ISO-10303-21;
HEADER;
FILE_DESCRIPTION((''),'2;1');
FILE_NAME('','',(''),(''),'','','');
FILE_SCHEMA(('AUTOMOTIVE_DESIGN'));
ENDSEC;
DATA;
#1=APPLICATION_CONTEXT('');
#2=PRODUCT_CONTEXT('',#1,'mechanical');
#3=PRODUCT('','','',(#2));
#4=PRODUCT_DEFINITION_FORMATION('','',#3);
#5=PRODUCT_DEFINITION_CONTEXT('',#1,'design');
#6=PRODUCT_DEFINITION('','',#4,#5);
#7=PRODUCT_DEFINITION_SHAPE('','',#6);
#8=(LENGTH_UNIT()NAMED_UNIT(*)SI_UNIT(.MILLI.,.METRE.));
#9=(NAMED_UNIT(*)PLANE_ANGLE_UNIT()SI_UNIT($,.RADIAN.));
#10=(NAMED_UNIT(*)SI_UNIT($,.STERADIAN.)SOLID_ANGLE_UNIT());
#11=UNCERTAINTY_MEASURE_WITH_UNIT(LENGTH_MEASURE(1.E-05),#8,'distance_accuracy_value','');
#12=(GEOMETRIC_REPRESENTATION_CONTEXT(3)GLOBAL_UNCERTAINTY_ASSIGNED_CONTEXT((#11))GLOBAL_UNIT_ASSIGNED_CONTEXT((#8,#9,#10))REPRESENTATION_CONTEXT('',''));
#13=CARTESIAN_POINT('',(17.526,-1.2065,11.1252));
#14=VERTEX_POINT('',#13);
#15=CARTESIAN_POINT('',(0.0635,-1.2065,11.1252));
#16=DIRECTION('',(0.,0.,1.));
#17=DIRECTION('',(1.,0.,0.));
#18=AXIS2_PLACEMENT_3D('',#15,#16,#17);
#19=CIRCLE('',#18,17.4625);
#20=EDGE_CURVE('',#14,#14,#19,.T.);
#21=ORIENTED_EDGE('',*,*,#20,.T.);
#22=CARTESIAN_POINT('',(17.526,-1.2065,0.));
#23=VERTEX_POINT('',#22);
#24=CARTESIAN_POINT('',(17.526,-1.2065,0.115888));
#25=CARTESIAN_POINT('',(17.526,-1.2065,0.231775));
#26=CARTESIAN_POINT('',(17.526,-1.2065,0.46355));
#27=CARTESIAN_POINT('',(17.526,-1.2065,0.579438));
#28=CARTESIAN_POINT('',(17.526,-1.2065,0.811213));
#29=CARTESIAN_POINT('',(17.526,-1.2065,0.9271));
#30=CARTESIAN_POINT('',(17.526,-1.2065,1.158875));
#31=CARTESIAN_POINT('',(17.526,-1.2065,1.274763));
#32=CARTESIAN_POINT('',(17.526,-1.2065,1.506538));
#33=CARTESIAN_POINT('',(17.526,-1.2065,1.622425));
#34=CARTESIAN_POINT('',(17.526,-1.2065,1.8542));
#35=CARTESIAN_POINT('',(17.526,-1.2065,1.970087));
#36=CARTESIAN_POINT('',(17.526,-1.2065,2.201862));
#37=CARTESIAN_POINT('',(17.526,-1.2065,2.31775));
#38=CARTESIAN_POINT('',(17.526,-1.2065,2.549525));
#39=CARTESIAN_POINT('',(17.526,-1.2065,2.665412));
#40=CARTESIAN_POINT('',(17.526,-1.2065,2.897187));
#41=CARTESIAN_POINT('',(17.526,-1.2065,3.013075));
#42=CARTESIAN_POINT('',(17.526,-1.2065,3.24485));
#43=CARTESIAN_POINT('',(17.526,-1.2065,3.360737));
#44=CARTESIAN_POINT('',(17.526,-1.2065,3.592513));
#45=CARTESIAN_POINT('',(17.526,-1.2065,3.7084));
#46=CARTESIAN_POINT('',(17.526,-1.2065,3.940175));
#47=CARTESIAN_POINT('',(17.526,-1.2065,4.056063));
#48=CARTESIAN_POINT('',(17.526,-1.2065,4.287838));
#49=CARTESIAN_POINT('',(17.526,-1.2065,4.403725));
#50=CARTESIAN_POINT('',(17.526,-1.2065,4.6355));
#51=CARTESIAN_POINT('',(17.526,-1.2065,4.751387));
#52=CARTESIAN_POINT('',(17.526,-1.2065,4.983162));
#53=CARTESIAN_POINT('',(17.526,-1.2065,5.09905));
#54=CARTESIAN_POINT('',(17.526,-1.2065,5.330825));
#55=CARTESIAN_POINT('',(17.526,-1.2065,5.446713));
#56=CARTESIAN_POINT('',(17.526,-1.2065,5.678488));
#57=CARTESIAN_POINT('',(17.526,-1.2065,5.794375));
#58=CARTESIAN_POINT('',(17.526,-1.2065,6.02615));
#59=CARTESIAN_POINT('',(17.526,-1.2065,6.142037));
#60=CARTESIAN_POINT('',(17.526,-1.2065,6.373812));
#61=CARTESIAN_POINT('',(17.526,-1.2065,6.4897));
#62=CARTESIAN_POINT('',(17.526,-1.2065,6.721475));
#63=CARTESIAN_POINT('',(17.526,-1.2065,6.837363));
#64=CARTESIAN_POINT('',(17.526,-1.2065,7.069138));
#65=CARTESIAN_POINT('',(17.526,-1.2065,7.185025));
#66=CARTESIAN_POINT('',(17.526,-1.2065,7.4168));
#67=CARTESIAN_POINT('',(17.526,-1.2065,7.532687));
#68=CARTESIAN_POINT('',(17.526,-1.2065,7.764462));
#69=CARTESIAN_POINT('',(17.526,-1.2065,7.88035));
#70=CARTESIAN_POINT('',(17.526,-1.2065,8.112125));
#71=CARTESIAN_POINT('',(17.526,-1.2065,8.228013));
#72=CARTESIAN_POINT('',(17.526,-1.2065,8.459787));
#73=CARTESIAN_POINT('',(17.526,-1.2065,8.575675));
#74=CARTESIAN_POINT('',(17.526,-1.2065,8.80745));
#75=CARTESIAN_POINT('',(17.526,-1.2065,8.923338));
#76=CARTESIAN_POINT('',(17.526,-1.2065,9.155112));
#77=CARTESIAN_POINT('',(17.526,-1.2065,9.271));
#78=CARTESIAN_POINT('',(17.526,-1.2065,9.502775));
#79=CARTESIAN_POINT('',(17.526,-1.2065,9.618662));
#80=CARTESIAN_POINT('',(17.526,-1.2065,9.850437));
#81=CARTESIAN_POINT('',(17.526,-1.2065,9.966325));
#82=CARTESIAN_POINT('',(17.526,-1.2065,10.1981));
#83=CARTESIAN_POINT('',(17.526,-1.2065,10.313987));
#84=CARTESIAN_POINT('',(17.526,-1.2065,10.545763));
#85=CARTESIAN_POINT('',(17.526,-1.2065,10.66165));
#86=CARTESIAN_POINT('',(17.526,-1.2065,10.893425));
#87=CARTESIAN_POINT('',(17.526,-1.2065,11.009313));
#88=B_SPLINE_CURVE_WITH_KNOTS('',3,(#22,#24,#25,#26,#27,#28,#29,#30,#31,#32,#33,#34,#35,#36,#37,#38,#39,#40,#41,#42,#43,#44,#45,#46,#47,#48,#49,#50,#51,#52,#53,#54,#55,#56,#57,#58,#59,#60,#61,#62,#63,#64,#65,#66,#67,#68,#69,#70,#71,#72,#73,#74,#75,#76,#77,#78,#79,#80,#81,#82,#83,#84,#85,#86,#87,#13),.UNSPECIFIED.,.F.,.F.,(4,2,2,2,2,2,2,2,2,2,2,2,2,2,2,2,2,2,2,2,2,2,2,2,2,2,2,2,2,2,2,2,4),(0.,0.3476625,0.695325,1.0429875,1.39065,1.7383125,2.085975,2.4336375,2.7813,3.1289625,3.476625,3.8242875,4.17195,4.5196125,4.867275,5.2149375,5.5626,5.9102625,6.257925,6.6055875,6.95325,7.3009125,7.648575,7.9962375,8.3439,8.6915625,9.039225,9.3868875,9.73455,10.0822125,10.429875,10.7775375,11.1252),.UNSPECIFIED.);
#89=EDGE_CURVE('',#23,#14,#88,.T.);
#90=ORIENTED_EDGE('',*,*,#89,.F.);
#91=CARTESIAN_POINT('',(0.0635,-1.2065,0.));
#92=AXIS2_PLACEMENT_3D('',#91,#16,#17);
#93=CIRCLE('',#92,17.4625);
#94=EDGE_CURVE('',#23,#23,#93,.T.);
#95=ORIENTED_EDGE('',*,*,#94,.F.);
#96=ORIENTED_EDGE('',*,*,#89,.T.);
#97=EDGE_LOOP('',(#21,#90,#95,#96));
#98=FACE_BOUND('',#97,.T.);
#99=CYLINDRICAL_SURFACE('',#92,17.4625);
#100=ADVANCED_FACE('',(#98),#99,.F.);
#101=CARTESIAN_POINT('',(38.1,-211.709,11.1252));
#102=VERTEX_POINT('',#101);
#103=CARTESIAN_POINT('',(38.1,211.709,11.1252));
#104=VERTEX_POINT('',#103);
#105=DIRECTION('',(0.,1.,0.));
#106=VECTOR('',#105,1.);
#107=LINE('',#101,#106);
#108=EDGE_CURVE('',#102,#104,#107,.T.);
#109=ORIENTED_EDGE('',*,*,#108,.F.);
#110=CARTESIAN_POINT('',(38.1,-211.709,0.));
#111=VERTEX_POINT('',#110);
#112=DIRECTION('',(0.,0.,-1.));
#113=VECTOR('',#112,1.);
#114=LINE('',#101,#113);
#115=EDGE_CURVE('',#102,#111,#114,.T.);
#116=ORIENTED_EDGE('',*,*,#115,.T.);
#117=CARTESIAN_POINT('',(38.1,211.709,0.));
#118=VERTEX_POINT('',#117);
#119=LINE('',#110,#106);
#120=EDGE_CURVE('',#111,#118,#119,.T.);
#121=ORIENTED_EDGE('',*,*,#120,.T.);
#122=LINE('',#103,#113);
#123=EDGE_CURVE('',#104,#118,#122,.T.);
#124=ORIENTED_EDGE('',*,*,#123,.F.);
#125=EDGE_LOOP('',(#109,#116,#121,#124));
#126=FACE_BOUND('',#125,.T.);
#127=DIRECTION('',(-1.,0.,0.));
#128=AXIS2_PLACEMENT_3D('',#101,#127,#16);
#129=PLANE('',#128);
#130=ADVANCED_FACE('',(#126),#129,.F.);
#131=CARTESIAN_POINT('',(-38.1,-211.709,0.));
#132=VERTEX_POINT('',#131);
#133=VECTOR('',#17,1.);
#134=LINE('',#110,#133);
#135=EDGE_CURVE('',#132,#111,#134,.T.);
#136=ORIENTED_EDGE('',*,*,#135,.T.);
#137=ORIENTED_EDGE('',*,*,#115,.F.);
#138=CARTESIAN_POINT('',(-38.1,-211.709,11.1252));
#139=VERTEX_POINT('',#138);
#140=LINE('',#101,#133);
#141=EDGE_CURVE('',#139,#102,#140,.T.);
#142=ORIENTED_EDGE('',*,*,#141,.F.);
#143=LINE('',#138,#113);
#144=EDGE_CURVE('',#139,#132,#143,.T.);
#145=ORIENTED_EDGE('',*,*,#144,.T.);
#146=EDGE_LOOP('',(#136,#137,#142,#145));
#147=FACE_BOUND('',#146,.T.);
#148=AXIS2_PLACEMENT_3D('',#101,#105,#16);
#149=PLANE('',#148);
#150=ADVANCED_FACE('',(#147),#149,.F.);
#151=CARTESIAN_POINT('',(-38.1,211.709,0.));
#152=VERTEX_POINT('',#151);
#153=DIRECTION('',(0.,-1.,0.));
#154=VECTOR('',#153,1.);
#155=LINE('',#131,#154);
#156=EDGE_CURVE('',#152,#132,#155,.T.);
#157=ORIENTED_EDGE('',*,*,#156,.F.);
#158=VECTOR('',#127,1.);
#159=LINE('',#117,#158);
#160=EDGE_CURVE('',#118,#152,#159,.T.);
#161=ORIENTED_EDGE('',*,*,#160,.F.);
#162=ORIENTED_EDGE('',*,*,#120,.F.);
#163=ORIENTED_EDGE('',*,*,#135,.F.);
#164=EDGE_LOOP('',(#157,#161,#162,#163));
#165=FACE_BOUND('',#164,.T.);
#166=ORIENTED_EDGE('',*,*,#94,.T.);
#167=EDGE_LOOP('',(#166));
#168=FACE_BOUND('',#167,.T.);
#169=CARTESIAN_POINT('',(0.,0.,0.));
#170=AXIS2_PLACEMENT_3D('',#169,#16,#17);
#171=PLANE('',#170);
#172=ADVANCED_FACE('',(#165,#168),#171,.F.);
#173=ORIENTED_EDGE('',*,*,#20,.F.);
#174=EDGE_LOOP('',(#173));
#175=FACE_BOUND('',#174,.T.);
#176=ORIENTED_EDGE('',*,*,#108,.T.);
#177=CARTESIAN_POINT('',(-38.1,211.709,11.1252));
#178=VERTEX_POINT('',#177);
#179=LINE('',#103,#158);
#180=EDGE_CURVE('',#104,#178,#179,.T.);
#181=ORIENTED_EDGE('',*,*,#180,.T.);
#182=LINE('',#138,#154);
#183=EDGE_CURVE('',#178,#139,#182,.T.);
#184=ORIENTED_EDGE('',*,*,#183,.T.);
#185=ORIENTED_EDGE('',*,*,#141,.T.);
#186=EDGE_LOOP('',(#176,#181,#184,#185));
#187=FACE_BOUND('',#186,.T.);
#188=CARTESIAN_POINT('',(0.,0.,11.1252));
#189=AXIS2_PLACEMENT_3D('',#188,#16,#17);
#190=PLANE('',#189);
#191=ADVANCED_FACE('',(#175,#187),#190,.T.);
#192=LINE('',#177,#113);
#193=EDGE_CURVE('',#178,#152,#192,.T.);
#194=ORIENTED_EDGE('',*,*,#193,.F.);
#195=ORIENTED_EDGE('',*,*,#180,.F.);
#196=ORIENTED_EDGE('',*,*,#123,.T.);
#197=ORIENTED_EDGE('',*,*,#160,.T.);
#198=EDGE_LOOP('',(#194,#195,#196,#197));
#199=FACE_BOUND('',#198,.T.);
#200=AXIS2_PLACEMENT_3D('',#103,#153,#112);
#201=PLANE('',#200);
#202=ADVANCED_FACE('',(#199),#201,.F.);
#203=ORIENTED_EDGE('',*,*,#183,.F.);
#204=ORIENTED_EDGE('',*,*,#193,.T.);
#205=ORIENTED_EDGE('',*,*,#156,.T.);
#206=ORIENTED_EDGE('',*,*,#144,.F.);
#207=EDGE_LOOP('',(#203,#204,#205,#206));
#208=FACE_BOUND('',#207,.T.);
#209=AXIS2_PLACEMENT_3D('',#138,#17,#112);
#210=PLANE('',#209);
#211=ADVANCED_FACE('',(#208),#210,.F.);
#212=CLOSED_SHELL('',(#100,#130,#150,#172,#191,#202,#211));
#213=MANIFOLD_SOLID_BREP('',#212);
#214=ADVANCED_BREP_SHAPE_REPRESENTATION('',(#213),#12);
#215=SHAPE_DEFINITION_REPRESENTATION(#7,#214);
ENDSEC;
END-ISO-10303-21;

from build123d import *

# Parameters (mm, degrees)
SKETCH1_W           = 76.2
SKETCH1_H           = 423.418
BOSS_EXTRUDE1_DEPTH = 11.1252
SKETCH5_R           = 17.4625
CUT_EXTRUDE1_DEPTH  = 216.397494777


with BuildPart() as part:
    # Sketch1 → Boss-Extrude1 (new body)
    with BuildSketch(Plane.XY):
        Rectangle(SKETCH1_W, SKETCH1_H)
    extrude(amount=BOSS_EXTRUDE1_DEPTH)

    # Sketch5 → Cut-Extrude1 (cut, through all)
    with BuildSketch(Plane.XY.offset(11.1252)):
        with Locations((0.0635, -1.2065)):
            Circle(SKETCH5_R)
    extrude(amount=-CUT_EXTRUDE1_DEPTH, mode=Mode.SUBTRACT)


solid = part.part
